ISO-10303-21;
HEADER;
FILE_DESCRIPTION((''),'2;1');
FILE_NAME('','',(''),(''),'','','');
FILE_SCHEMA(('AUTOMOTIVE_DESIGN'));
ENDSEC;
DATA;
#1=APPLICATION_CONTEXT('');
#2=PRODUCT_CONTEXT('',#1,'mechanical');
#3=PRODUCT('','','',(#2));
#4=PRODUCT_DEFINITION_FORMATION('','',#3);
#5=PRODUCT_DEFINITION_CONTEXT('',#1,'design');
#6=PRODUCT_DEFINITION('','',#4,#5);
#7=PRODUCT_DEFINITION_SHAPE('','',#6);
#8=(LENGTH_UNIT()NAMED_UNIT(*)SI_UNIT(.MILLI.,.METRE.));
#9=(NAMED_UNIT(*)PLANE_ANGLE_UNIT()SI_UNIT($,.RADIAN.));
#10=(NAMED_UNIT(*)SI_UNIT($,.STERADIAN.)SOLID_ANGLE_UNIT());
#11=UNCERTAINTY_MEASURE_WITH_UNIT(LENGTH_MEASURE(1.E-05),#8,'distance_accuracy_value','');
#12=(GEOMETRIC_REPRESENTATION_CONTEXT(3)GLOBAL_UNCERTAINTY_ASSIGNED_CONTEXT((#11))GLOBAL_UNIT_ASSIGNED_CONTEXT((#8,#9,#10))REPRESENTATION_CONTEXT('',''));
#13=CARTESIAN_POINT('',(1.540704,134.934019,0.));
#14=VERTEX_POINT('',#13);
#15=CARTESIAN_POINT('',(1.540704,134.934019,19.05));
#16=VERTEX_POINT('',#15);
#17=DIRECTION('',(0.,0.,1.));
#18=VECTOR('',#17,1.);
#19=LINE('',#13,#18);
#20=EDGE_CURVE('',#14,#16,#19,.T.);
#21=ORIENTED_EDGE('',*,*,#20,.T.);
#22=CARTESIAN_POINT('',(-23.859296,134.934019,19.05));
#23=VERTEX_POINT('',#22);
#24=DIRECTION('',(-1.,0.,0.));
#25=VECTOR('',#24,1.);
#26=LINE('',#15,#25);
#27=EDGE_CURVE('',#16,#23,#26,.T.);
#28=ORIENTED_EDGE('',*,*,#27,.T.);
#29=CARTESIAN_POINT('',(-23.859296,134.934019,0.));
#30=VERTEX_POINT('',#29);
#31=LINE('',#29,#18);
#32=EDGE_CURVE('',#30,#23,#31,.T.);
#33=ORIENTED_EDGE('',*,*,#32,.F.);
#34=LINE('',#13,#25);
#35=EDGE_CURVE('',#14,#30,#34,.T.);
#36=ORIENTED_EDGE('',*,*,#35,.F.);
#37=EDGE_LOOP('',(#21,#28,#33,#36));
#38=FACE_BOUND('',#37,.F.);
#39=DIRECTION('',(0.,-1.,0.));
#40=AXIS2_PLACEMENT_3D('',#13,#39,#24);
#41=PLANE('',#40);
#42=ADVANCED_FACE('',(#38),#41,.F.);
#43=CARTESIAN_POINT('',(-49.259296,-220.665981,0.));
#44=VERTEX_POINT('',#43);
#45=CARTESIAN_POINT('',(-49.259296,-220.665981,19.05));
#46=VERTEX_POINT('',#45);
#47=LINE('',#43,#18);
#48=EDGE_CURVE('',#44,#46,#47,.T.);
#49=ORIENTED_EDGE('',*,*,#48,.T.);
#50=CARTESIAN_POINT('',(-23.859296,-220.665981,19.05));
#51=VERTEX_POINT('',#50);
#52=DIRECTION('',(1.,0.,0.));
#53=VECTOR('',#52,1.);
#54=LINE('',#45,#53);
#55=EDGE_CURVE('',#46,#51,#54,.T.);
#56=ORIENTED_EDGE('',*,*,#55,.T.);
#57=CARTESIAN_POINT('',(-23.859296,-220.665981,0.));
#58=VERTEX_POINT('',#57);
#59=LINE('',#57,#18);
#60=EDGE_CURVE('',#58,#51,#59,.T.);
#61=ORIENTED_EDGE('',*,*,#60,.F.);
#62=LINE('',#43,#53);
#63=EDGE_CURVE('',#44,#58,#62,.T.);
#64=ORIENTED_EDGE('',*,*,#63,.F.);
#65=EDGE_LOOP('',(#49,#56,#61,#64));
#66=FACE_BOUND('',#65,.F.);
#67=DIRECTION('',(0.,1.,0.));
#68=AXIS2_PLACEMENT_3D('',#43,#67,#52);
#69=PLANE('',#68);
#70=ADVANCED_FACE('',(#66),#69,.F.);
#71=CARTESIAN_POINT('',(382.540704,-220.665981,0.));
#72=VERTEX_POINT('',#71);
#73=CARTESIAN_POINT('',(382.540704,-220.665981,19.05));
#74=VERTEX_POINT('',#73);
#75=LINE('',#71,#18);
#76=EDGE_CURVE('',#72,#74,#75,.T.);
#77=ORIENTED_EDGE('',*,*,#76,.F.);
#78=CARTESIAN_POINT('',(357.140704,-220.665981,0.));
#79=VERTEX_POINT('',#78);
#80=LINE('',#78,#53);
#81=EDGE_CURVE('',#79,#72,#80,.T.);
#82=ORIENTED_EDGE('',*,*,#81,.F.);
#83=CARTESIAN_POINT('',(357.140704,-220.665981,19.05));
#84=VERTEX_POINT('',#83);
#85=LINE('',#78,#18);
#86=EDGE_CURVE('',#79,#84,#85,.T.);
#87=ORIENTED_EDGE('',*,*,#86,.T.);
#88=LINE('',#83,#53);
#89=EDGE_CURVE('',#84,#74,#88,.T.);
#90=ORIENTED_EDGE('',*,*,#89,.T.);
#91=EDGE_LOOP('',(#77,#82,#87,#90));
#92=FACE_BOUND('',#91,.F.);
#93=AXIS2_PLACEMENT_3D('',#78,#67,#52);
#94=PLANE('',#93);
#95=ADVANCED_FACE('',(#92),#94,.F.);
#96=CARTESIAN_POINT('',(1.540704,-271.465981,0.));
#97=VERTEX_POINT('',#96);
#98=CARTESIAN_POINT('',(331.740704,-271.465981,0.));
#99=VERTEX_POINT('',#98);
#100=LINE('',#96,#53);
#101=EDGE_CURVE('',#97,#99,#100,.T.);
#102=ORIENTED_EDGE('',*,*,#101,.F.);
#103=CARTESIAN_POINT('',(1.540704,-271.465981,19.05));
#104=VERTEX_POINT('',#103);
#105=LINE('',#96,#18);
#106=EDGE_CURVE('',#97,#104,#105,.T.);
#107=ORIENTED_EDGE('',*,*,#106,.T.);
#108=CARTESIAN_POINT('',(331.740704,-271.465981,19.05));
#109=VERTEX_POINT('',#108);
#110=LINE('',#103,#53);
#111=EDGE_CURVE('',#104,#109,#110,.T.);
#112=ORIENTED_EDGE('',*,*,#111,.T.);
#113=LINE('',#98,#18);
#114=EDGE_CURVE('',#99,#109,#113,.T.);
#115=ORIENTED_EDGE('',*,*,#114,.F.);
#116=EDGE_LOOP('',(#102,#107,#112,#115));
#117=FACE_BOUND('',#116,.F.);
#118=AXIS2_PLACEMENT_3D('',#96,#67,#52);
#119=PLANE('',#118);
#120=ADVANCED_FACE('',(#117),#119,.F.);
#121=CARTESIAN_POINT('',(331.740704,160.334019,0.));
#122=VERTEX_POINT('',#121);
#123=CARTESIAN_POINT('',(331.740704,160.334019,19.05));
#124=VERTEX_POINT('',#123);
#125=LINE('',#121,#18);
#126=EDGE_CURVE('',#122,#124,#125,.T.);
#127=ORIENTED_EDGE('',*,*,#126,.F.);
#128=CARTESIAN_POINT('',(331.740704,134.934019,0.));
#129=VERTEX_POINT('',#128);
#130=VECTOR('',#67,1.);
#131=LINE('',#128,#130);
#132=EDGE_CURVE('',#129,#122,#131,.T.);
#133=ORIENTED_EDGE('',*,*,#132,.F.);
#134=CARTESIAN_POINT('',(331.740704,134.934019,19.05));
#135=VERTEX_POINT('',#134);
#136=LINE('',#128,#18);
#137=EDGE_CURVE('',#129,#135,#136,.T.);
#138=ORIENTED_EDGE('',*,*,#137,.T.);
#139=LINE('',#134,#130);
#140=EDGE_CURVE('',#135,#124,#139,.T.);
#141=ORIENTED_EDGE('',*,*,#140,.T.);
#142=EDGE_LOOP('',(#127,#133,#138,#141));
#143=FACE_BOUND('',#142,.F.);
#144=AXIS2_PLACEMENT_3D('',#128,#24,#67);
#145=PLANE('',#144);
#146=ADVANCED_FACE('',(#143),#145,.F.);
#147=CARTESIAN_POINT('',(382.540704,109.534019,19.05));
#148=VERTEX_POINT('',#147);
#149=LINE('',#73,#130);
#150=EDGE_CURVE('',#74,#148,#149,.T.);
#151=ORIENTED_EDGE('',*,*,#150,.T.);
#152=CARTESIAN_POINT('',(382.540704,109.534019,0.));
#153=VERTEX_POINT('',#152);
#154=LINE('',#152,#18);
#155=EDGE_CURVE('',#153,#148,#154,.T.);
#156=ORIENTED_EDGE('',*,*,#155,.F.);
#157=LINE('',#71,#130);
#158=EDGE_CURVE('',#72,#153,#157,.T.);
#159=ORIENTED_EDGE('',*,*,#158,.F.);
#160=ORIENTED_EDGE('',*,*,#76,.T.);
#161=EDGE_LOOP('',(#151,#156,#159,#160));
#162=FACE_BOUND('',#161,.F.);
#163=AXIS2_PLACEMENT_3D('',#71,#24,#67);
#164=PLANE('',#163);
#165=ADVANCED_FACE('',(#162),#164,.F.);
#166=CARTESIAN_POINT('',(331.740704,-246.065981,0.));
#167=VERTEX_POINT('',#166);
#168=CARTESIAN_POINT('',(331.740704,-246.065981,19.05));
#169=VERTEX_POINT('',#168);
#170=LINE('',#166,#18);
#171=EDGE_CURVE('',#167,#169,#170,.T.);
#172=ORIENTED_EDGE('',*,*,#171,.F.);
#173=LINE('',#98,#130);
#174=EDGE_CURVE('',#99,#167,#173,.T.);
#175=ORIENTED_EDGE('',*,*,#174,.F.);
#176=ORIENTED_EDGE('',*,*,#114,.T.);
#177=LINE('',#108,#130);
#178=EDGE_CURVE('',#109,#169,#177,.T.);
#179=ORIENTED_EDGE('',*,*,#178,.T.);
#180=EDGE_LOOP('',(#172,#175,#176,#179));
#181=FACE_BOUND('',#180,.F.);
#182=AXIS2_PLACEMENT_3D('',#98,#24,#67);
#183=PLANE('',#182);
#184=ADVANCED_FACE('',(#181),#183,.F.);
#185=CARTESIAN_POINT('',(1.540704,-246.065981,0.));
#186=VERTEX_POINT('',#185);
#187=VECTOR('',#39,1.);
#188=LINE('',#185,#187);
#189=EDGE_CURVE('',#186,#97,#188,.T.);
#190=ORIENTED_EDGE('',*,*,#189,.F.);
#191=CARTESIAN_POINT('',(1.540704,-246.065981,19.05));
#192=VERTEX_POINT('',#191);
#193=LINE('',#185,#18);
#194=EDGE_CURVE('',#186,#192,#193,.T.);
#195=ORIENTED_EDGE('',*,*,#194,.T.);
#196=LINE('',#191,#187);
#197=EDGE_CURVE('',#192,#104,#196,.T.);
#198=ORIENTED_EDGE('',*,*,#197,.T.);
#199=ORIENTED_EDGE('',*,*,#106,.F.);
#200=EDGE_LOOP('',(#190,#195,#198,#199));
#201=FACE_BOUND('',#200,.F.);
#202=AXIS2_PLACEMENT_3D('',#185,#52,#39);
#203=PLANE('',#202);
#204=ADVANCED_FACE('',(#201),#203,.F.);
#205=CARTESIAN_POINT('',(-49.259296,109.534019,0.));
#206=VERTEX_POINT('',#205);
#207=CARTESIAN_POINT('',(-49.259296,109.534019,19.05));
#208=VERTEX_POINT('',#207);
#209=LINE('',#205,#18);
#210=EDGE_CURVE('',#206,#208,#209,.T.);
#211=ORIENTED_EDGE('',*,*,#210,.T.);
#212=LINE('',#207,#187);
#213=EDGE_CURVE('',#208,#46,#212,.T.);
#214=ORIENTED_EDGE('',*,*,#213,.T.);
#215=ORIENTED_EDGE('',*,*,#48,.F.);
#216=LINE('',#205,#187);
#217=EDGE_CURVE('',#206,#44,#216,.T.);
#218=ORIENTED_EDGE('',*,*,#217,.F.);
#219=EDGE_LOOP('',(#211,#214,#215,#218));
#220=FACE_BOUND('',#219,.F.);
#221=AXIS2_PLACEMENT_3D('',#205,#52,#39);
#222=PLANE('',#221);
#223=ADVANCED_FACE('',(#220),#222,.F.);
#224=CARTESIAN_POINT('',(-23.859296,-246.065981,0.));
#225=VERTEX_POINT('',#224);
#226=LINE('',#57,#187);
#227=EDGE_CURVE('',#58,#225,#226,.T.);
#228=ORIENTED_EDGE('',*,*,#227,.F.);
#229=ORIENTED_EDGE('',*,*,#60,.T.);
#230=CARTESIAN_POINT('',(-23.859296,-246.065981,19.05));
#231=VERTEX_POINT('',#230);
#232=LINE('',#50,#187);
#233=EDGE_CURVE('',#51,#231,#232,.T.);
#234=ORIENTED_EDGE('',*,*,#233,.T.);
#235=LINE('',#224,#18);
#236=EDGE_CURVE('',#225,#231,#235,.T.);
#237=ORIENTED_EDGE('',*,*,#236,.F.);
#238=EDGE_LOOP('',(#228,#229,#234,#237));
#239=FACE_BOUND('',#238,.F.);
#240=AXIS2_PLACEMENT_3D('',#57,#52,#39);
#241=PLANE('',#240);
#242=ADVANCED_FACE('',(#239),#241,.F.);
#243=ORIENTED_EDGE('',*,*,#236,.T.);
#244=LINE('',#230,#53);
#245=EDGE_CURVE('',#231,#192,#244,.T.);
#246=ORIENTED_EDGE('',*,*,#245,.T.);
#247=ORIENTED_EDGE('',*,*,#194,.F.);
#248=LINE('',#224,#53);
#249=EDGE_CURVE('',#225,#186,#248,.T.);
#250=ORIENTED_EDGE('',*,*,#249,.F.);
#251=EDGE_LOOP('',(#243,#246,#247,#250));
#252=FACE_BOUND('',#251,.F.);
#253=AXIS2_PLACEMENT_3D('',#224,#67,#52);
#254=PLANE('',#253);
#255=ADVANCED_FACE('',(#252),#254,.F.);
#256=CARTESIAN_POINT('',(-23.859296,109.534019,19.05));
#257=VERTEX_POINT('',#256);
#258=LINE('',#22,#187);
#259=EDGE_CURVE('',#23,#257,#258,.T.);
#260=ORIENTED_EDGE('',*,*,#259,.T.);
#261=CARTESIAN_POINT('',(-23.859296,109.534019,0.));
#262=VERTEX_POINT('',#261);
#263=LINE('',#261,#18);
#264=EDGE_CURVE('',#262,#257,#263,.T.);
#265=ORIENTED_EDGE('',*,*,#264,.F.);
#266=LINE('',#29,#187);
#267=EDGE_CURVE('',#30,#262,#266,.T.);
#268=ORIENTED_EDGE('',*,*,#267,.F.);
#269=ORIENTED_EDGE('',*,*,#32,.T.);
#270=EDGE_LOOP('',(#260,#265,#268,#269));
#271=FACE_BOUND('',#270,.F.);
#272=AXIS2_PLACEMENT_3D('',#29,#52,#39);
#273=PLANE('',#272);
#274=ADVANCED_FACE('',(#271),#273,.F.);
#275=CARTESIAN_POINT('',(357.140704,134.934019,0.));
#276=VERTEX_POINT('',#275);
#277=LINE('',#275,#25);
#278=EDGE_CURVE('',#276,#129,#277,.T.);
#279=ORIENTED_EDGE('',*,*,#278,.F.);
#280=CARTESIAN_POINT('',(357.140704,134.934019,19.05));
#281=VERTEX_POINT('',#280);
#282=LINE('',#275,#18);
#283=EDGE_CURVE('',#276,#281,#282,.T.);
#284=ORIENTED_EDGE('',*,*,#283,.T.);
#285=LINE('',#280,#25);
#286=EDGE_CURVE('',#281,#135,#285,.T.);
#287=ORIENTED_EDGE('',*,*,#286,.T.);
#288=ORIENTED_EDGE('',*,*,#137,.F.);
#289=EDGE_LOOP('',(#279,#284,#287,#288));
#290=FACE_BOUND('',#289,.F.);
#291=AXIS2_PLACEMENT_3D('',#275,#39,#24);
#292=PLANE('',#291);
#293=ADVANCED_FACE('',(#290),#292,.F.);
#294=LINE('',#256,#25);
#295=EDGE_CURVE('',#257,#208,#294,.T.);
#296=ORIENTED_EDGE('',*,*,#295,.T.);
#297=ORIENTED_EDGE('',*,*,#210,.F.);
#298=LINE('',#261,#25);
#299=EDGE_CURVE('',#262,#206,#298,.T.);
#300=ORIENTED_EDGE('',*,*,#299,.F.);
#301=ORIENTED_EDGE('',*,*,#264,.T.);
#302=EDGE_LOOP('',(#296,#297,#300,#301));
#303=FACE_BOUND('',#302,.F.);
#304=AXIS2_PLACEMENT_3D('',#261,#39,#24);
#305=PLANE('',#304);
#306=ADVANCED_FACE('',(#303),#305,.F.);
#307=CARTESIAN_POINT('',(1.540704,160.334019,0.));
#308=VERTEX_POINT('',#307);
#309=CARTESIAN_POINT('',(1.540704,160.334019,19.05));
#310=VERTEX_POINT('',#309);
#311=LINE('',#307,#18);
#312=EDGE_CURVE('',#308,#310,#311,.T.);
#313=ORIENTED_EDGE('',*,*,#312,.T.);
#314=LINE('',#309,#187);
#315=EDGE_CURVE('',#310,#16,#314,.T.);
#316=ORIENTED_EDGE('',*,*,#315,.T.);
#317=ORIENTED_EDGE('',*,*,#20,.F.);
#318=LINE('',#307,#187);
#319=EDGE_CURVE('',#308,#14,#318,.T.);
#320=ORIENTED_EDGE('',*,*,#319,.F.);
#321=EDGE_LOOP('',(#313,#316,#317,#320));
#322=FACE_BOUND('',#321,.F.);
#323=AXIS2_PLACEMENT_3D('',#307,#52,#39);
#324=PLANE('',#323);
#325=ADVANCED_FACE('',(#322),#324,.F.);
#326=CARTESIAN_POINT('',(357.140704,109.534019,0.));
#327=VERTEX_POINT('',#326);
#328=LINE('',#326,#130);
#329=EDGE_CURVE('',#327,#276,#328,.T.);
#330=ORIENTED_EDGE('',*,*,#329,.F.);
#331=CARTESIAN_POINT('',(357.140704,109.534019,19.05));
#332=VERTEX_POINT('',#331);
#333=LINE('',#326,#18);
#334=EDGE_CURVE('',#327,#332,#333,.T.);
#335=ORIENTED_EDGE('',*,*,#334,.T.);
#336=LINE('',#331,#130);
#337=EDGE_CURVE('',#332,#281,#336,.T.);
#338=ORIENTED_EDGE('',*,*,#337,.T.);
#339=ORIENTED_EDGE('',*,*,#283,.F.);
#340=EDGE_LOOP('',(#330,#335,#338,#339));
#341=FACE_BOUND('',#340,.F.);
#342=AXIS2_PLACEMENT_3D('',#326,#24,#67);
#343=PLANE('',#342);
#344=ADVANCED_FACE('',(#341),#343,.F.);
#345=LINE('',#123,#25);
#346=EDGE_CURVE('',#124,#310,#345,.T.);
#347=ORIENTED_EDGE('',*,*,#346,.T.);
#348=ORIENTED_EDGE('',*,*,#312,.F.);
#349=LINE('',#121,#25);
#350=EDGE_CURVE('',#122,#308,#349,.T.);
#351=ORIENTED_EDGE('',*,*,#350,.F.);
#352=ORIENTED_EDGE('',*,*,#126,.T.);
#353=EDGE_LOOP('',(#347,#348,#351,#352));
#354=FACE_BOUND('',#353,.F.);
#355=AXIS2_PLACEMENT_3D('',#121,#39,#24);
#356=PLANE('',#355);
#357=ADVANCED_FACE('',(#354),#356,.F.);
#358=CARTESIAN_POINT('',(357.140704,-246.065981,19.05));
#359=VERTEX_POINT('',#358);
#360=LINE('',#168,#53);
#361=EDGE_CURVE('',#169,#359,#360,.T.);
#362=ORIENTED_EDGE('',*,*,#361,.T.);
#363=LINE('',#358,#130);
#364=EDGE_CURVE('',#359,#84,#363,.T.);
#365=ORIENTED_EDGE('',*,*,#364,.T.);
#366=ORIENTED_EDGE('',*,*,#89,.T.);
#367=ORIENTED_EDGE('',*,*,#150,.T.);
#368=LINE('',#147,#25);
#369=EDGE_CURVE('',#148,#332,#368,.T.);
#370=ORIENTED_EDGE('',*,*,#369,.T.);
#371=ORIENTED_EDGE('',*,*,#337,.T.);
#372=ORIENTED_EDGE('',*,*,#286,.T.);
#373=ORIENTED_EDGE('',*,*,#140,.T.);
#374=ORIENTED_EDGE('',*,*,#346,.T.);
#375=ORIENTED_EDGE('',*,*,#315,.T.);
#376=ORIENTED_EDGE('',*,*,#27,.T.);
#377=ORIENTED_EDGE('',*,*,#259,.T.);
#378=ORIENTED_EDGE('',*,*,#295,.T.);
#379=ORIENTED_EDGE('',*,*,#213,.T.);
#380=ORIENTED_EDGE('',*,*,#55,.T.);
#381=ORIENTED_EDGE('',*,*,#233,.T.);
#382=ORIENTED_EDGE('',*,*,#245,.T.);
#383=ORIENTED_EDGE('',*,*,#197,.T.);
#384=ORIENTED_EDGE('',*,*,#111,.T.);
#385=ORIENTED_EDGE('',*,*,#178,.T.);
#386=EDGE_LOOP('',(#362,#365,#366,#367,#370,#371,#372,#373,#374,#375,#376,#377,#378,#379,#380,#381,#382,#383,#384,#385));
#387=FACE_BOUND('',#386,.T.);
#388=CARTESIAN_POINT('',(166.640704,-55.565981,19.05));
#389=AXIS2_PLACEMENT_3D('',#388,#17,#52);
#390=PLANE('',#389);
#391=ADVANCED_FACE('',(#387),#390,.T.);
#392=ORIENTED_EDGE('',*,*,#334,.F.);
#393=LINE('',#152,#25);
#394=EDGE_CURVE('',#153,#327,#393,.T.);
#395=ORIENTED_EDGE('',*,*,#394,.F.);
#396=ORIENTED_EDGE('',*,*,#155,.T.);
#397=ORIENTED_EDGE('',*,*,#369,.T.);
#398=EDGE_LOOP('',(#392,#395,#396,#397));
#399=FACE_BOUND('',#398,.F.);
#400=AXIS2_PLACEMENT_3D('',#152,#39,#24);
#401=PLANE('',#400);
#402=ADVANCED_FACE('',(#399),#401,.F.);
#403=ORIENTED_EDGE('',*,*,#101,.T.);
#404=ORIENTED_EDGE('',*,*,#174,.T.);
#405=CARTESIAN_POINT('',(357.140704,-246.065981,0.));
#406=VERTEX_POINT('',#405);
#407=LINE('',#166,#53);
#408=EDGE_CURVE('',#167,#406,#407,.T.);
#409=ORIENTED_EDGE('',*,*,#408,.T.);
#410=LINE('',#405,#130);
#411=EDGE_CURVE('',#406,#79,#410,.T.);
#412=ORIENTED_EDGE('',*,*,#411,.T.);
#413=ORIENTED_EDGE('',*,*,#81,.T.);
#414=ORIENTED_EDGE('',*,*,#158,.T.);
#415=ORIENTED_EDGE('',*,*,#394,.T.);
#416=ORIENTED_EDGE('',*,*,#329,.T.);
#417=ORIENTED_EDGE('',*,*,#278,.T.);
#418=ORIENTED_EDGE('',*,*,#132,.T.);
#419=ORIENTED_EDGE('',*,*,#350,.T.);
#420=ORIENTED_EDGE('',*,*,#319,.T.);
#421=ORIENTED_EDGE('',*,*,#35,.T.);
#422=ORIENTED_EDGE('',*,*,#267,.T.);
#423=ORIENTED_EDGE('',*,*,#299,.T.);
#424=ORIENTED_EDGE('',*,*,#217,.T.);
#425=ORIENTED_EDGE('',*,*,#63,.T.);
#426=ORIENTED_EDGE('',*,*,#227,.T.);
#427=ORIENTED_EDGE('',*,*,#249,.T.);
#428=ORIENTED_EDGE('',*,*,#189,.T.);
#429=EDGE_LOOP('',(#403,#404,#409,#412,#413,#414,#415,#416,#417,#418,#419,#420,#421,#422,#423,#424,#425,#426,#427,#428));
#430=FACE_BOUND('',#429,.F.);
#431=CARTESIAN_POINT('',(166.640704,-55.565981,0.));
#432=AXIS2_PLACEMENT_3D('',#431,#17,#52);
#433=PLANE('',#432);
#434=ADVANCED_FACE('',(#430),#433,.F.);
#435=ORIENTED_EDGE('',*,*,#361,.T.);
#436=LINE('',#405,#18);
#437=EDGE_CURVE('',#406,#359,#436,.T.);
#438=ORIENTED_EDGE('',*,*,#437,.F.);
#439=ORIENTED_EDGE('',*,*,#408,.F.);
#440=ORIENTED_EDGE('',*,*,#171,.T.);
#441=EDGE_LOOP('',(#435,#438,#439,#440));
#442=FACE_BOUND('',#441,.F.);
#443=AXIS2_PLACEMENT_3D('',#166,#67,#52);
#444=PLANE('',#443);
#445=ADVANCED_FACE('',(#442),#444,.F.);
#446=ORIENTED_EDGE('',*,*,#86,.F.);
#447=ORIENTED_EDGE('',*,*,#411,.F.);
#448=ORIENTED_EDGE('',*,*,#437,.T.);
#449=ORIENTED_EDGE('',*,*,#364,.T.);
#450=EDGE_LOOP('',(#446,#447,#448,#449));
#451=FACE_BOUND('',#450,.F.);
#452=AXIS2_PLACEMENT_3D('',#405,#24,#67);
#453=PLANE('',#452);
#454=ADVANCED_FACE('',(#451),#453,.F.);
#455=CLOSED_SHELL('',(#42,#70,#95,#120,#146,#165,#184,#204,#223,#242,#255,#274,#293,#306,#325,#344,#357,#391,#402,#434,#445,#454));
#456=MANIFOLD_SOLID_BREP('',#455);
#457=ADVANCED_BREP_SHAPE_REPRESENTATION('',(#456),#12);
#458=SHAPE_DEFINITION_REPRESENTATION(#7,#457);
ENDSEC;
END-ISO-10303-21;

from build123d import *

# Parameters (mm, degrees)
F1_DEPTH = 19.05


with BuildPart() as f1:
    # F0 (on Top) → F1 (new body)
    with BuildSketch(Plane.XY):
        Polygon((-23.859296, 109.534019), (-49.259296, 109.534019), (-49.259296, -220.665981), (-23.859296, -220.665981), (-23.859296, -246.065981), (1.540704, -246.065981), (1.540704, -271.465981), (331.740704, -271.465981), (331.740704, -246.065981), (357.140704, -246.065981), (357.140704, -220.665981), (382.540704, -220.665981), (382.540704, 109.534019), (357.140704, 109.534019), (357.140704, 134.934019), (331.740704, 134.934019), (331.740704, 160.334019), (1.540704, 160.334019), (1.540704, 134.934019), (-23.859296, 134.934019), align=None)
    extrude(amount=F1_DEPTH)


solid = f1.part
